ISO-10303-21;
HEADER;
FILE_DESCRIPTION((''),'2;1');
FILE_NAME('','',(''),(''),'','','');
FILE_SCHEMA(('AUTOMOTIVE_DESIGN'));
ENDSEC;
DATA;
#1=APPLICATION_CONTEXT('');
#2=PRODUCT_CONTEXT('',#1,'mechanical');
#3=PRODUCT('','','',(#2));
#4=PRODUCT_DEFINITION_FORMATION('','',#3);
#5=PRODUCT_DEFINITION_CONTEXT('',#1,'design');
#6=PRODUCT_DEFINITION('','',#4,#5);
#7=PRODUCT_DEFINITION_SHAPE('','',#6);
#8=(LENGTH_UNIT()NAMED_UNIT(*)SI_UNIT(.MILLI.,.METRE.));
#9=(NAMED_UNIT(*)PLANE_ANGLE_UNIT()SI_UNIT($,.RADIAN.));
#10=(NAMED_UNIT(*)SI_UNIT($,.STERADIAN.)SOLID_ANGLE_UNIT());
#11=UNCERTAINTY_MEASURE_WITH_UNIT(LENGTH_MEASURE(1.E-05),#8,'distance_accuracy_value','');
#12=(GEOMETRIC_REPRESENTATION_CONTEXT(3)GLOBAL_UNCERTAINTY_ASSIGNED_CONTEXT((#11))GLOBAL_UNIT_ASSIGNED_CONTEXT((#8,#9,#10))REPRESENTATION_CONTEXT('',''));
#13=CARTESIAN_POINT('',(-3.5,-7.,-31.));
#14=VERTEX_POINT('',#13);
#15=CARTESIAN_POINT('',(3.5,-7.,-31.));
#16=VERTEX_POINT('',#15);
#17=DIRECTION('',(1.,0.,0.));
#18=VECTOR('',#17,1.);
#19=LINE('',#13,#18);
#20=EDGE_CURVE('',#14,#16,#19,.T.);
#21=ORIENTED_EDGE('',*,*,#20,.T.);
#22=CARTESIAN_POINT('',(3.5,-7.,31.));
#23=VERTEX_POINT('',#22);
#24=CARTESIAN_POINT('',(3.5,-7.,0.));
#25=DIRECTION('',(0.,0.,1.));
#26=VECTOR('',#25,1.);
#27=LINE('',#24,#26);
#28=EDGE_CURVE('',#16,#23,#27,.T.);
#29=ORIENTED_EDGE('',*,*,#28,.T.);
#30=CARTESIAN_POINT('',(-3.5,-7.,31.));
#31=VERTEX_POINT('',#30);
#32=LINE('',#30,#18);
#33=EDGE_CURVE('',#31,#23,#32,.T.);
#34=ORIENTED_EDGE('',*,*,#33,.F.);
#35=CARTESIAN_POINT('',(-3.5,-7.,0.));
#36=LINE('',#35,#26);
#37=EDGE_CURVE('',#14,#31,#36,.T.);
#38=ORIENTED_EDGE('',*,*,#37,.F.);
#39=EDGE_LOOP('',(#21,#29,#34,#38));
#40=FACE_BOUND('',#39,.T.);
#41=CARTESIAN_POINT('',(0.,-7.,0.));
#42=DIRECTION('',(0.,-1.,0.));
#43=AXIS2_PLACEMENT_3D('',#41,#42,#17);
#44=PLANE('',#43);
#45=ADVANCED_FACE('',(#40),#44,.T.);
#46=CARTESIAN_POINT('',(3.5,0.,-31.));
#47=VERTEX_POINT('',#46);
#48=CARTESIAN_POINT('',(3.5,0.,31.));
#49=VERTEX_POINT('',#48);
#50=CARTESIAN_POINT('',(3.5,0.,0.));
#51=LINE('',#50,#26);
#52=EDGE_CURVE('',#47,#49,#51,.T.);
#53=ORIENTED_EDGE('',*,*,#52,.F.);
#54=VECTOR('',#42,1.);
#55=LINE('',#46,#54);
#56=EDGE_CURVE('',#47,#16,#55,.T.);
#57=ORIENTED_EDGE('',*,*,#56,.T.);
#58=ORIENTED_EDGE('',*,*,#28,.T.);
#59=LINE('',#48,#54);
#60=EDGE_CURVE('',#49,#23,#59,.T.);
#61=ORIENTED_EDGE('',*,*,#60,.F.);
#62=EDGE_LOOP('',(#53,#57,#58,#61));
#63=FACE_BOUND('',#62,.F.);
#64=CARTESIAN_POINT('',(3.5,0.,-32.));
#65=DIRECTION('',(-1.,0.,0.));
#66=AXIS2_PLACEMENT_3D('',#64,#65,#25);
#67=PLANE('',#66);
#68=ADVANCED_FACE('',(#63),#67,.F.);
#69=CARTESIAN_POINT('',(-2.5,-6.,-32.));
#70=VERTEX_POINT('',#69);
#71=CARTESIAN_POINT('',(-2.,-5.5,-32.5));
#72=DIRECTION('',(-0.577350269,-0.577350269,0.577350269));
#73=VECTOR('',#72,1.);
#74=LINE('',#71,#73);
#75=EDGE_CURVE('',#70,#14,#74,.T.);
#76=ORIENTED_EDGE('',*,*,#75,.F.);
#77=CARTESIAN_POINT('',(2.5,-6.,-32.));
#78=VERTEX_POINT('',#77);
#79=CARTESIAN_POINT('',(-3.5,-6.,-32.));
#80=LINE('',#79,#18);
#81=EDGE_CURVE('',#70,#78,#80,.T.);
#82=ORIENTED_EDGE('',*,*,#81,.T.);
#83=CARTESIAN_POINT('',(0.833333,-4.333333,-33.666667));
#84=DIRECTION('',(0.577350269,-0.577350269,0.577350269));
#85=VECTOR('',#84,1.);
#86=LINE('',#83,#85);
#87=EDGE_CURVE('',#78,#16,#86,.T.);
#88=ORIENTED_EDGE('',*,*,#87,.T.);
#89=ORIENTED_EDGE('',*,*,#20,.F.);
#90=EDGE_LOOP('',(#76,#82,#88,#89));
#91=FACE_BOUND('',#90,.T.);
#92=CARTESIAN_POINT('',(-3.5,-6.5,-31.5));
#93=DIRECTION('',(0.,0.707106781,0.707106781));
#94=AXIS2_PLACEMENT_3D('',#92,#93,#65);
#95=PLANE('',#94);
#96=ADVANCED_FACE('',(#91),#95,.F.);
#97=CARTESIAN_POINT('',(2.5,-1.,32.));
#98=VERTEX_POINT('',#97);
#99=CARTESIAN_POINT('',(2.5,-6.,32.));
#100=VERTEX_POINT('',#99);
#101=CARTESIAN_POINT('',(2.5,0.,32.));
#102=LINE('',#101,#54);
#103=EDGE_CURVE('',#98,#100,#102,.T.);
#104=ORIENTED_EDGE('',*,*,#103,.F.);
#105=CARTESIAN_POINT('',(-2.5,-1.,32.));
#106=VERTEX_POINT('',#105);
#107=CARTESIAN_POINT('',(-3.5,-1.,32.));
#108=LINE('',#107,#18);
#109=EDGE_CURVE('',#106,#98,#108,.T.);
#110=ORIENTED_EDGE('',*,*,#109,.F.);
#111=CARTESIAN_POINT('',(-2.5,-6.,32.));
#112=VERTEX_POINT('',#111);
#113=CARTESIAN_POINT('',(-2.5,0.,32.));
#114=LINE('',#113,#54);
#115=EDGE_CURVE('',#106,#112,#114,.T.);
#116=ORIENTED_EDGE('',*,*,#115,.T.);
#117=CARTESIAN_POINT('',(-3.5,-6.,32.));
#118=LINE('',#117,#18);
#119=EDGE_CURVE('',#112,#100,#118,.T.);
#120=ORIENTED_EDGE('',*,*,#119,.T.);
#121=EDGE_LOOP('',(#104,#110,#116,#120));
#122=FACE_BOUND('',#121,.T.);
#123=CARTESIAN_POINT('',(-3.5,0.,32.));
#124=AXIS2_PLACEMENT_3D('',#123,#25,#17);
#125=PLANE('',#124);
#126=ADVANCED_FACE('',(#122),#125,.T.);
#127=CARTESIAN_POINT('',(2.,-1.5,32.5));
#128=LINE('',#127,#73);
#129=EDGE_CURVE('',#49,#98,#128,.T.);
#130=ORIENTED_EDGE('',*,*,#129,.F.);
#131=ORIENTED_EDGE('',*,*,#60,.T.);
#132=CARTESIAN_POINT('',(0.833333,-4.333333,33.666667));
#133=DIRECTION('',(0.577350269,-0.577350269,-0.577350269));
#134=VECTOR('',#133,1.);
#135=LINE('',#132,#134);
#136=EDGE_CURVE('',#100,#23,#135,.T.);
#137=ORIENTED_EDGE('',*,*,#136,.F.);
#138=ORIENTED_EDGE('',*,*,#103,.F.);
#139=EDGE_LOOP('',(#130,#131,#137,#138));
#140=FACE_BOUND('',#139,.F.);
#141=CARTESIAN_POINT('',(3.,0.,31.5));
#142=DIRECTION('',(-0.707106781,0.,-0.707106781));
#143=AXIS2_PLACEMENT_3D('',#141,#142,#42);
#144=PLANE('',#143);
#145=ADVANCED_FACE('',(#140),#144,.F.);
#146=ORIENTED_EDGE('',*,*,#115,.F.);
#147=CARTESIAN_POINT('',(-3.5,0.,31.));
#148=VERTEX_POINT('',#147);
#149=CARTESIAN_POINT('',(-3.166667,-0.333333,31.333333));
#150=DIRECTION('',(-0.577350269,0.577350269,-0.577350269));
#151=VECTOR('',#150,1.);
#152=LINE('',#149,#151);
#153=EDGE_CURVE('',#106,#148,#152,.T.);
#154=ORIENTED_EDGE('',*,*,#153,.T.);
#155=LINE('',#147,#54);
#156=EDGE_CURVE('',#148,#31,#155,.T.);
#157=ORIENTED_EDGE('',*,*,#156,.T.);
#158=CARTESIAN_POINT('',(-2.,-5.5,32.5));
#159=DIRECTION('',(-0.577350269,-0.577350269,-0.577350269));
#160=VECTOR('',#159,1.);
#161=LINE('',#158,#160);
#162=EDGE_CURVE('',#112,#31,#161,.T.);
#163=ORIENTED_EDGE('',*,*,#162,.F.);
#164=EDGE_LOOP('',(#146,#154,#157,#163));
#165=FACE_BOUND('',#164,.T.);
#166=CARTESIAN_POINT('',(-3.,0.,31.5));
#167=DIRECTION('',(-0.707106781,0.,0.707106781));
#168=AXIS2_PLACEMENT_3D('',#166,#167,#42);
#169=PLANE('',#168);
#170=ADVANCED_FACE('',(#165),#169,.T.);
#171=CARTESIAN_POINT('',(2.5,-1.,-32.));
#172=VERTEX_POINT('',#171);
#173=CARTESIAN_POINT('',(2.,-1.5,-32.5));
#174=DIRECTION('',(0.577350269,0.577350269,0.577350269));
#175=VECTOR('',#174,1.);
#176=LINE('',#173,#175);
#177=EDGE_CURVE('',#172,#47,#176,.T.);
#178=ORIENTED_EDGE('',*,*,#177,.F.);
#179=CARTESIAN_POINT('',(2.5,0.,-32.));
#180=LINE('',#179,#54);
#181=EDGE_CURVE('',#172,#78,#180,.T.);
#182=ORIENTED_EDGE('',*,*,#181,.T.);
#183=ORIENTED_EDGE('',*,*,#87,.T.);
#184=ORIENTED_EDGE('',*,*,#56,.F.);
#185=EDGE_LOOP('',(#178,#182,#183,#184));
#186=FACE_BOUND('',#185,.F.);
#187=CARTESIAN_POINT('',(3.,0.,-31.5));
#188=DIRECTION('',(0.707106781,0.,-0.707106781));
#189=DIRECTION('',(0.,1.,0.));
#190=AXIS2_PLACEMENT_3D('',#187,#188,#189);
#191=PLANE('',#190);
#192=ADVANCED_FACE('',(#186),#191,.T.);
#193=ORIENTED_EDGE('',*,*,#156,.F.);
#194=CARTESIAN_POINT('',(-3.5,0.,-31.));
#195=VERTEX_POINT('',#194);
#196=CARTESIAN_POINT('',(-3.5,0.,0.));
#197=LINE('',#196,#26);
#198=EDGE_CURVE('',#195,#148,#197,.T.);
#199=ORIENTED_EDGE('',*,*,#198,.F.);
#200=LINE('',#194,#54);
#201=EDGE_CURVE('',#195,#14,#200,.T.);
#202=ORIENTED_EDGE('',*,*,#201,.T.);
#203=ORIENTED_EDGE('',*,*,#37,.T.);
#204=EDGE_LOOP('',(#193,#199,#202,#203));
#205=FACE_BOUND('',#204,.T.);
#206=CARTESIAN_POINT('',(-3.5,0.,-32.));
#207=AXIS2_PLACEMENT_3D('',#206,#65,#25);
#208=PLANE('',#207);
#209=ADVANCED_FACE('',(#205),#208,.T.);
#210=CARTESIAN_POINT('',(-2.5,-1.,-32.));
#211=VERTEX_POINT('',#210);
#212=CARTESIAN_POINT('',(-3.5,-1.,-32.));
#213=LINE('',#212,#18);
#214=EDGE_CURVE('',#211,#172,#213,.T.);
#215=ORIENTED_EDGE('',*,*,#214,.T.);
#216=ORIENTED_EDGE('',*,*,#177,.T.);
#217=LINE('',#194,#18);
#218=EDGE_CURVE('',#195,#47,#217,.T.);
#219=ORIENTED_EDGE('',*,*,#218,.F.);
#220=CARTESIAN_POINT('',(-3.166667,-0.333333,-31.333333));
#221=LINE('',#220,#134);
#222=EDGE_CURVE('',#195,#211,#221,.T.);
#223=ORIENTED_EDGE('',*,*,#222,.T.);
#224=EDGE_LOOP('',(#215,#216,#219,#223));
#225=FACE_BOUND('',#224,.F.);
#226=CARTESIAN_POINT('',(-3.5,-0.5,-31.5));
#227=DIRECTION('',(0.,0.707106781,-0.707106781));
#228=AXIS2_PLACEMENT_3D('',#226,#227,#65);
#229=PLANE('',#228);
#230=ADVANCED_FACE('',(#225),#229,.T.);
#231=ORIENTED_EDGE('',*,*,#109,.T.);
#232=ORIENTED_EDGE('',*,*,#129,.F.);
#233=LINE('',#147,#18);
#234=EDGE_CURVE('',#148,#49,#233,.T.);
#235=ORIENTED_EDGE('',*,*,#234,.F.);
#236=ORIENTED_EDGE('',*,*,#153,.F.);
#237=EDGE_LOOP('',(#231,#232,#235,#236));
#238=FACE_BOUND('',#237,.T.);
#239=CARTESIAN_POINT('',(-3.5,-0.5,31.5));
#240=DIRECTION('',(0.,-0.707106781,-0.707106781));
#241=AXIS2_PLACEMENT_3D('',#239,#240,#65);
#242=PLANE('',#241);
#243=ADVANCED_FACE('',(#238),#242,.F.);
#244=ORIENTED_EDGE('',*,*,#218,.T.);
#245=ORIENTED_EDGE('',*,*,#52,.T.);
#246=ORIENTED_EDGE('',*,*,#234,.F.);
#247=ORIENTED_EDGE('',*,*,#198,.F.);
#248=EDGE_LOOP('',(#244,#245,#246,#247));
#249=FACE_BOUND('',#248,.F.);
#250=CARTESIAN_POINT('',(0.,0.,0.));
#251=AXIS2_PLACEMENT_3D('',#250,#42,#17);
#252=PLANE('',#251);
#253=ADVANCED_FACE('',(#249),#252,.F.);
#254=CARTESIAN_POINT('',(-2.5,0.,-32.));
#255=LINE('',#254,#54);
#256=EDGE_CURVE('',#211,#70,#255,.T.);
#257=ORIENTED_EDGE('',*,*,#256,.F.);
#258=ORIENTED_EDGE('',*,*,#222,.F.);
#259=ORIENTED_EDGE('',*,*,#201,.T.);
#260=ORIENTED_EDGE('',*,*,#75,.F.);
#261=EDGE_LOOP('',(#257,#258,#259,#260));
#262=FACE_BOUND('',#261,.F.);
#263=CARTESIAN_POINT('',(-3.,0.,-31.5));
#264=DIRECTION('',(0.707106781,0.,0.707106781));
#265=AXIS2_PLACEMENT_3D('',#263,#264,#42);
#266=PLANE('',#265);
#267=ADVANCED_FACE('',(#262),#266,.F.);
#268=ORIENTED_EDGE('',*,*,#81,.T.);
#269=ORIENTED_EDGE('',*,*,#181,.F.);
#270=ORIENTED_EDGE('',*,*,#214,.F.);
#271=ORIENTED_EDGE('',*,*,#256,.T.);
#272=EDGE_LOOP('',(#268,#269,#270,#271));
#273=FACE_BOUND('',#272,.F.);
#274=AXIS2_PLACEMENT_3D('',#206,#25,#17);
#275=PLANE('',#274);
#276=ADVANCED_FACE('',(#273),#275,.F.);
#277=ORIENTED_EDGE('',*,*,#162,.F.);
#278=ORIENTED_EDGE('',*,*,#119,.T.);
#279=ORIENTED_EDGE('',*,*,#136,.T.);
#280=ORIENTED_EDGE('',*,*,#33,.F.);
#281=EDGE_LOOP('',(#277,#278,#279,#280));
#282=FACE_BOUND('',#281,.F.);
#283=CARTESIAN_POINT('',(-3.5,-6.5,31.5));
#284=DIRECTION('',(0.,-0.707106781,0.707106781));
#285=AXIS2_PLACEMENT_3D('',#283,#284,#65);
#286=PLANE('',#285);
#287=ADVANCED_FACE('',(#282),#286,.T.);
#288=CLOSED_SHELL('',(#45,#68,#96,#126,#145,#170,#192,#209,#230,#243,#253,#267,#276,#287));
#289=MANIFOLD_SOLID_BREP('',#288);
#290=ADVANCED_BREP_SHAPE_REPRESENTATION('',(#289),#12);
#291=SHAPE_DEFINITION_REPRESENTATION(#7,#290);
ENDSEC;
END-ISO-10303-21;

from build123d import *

# Parameters (mm, degrees)
F0_W     = 7
F0_H     = 64
F1_DEPTH = 7
F2_SIZE  = 1


with BuildPart() as f1:
    # F0 (on Front) → F1 (new body)
    with BuildSketch(Plane.XZ):
        Rectangle(F0_W, F0_H)
    extrude(amount=F1_DEPTH)

    # F2
    f2_edges = [f1.edges().sort_by_distance(p)[0] for p in [
        (0, -7, 32),
        (3.5, -3.5, 32),
        (0, 0, 32),
        (-3.5, -3.5, 32),
        (3.5, -3.5, -32),
        (0, -7, -32),
        (-3.5, -3.5, -32),
        (0, 0, -32),
    ]]
    chamfer(f2_edges, length=F2_SIZE)


solid = f1.part
